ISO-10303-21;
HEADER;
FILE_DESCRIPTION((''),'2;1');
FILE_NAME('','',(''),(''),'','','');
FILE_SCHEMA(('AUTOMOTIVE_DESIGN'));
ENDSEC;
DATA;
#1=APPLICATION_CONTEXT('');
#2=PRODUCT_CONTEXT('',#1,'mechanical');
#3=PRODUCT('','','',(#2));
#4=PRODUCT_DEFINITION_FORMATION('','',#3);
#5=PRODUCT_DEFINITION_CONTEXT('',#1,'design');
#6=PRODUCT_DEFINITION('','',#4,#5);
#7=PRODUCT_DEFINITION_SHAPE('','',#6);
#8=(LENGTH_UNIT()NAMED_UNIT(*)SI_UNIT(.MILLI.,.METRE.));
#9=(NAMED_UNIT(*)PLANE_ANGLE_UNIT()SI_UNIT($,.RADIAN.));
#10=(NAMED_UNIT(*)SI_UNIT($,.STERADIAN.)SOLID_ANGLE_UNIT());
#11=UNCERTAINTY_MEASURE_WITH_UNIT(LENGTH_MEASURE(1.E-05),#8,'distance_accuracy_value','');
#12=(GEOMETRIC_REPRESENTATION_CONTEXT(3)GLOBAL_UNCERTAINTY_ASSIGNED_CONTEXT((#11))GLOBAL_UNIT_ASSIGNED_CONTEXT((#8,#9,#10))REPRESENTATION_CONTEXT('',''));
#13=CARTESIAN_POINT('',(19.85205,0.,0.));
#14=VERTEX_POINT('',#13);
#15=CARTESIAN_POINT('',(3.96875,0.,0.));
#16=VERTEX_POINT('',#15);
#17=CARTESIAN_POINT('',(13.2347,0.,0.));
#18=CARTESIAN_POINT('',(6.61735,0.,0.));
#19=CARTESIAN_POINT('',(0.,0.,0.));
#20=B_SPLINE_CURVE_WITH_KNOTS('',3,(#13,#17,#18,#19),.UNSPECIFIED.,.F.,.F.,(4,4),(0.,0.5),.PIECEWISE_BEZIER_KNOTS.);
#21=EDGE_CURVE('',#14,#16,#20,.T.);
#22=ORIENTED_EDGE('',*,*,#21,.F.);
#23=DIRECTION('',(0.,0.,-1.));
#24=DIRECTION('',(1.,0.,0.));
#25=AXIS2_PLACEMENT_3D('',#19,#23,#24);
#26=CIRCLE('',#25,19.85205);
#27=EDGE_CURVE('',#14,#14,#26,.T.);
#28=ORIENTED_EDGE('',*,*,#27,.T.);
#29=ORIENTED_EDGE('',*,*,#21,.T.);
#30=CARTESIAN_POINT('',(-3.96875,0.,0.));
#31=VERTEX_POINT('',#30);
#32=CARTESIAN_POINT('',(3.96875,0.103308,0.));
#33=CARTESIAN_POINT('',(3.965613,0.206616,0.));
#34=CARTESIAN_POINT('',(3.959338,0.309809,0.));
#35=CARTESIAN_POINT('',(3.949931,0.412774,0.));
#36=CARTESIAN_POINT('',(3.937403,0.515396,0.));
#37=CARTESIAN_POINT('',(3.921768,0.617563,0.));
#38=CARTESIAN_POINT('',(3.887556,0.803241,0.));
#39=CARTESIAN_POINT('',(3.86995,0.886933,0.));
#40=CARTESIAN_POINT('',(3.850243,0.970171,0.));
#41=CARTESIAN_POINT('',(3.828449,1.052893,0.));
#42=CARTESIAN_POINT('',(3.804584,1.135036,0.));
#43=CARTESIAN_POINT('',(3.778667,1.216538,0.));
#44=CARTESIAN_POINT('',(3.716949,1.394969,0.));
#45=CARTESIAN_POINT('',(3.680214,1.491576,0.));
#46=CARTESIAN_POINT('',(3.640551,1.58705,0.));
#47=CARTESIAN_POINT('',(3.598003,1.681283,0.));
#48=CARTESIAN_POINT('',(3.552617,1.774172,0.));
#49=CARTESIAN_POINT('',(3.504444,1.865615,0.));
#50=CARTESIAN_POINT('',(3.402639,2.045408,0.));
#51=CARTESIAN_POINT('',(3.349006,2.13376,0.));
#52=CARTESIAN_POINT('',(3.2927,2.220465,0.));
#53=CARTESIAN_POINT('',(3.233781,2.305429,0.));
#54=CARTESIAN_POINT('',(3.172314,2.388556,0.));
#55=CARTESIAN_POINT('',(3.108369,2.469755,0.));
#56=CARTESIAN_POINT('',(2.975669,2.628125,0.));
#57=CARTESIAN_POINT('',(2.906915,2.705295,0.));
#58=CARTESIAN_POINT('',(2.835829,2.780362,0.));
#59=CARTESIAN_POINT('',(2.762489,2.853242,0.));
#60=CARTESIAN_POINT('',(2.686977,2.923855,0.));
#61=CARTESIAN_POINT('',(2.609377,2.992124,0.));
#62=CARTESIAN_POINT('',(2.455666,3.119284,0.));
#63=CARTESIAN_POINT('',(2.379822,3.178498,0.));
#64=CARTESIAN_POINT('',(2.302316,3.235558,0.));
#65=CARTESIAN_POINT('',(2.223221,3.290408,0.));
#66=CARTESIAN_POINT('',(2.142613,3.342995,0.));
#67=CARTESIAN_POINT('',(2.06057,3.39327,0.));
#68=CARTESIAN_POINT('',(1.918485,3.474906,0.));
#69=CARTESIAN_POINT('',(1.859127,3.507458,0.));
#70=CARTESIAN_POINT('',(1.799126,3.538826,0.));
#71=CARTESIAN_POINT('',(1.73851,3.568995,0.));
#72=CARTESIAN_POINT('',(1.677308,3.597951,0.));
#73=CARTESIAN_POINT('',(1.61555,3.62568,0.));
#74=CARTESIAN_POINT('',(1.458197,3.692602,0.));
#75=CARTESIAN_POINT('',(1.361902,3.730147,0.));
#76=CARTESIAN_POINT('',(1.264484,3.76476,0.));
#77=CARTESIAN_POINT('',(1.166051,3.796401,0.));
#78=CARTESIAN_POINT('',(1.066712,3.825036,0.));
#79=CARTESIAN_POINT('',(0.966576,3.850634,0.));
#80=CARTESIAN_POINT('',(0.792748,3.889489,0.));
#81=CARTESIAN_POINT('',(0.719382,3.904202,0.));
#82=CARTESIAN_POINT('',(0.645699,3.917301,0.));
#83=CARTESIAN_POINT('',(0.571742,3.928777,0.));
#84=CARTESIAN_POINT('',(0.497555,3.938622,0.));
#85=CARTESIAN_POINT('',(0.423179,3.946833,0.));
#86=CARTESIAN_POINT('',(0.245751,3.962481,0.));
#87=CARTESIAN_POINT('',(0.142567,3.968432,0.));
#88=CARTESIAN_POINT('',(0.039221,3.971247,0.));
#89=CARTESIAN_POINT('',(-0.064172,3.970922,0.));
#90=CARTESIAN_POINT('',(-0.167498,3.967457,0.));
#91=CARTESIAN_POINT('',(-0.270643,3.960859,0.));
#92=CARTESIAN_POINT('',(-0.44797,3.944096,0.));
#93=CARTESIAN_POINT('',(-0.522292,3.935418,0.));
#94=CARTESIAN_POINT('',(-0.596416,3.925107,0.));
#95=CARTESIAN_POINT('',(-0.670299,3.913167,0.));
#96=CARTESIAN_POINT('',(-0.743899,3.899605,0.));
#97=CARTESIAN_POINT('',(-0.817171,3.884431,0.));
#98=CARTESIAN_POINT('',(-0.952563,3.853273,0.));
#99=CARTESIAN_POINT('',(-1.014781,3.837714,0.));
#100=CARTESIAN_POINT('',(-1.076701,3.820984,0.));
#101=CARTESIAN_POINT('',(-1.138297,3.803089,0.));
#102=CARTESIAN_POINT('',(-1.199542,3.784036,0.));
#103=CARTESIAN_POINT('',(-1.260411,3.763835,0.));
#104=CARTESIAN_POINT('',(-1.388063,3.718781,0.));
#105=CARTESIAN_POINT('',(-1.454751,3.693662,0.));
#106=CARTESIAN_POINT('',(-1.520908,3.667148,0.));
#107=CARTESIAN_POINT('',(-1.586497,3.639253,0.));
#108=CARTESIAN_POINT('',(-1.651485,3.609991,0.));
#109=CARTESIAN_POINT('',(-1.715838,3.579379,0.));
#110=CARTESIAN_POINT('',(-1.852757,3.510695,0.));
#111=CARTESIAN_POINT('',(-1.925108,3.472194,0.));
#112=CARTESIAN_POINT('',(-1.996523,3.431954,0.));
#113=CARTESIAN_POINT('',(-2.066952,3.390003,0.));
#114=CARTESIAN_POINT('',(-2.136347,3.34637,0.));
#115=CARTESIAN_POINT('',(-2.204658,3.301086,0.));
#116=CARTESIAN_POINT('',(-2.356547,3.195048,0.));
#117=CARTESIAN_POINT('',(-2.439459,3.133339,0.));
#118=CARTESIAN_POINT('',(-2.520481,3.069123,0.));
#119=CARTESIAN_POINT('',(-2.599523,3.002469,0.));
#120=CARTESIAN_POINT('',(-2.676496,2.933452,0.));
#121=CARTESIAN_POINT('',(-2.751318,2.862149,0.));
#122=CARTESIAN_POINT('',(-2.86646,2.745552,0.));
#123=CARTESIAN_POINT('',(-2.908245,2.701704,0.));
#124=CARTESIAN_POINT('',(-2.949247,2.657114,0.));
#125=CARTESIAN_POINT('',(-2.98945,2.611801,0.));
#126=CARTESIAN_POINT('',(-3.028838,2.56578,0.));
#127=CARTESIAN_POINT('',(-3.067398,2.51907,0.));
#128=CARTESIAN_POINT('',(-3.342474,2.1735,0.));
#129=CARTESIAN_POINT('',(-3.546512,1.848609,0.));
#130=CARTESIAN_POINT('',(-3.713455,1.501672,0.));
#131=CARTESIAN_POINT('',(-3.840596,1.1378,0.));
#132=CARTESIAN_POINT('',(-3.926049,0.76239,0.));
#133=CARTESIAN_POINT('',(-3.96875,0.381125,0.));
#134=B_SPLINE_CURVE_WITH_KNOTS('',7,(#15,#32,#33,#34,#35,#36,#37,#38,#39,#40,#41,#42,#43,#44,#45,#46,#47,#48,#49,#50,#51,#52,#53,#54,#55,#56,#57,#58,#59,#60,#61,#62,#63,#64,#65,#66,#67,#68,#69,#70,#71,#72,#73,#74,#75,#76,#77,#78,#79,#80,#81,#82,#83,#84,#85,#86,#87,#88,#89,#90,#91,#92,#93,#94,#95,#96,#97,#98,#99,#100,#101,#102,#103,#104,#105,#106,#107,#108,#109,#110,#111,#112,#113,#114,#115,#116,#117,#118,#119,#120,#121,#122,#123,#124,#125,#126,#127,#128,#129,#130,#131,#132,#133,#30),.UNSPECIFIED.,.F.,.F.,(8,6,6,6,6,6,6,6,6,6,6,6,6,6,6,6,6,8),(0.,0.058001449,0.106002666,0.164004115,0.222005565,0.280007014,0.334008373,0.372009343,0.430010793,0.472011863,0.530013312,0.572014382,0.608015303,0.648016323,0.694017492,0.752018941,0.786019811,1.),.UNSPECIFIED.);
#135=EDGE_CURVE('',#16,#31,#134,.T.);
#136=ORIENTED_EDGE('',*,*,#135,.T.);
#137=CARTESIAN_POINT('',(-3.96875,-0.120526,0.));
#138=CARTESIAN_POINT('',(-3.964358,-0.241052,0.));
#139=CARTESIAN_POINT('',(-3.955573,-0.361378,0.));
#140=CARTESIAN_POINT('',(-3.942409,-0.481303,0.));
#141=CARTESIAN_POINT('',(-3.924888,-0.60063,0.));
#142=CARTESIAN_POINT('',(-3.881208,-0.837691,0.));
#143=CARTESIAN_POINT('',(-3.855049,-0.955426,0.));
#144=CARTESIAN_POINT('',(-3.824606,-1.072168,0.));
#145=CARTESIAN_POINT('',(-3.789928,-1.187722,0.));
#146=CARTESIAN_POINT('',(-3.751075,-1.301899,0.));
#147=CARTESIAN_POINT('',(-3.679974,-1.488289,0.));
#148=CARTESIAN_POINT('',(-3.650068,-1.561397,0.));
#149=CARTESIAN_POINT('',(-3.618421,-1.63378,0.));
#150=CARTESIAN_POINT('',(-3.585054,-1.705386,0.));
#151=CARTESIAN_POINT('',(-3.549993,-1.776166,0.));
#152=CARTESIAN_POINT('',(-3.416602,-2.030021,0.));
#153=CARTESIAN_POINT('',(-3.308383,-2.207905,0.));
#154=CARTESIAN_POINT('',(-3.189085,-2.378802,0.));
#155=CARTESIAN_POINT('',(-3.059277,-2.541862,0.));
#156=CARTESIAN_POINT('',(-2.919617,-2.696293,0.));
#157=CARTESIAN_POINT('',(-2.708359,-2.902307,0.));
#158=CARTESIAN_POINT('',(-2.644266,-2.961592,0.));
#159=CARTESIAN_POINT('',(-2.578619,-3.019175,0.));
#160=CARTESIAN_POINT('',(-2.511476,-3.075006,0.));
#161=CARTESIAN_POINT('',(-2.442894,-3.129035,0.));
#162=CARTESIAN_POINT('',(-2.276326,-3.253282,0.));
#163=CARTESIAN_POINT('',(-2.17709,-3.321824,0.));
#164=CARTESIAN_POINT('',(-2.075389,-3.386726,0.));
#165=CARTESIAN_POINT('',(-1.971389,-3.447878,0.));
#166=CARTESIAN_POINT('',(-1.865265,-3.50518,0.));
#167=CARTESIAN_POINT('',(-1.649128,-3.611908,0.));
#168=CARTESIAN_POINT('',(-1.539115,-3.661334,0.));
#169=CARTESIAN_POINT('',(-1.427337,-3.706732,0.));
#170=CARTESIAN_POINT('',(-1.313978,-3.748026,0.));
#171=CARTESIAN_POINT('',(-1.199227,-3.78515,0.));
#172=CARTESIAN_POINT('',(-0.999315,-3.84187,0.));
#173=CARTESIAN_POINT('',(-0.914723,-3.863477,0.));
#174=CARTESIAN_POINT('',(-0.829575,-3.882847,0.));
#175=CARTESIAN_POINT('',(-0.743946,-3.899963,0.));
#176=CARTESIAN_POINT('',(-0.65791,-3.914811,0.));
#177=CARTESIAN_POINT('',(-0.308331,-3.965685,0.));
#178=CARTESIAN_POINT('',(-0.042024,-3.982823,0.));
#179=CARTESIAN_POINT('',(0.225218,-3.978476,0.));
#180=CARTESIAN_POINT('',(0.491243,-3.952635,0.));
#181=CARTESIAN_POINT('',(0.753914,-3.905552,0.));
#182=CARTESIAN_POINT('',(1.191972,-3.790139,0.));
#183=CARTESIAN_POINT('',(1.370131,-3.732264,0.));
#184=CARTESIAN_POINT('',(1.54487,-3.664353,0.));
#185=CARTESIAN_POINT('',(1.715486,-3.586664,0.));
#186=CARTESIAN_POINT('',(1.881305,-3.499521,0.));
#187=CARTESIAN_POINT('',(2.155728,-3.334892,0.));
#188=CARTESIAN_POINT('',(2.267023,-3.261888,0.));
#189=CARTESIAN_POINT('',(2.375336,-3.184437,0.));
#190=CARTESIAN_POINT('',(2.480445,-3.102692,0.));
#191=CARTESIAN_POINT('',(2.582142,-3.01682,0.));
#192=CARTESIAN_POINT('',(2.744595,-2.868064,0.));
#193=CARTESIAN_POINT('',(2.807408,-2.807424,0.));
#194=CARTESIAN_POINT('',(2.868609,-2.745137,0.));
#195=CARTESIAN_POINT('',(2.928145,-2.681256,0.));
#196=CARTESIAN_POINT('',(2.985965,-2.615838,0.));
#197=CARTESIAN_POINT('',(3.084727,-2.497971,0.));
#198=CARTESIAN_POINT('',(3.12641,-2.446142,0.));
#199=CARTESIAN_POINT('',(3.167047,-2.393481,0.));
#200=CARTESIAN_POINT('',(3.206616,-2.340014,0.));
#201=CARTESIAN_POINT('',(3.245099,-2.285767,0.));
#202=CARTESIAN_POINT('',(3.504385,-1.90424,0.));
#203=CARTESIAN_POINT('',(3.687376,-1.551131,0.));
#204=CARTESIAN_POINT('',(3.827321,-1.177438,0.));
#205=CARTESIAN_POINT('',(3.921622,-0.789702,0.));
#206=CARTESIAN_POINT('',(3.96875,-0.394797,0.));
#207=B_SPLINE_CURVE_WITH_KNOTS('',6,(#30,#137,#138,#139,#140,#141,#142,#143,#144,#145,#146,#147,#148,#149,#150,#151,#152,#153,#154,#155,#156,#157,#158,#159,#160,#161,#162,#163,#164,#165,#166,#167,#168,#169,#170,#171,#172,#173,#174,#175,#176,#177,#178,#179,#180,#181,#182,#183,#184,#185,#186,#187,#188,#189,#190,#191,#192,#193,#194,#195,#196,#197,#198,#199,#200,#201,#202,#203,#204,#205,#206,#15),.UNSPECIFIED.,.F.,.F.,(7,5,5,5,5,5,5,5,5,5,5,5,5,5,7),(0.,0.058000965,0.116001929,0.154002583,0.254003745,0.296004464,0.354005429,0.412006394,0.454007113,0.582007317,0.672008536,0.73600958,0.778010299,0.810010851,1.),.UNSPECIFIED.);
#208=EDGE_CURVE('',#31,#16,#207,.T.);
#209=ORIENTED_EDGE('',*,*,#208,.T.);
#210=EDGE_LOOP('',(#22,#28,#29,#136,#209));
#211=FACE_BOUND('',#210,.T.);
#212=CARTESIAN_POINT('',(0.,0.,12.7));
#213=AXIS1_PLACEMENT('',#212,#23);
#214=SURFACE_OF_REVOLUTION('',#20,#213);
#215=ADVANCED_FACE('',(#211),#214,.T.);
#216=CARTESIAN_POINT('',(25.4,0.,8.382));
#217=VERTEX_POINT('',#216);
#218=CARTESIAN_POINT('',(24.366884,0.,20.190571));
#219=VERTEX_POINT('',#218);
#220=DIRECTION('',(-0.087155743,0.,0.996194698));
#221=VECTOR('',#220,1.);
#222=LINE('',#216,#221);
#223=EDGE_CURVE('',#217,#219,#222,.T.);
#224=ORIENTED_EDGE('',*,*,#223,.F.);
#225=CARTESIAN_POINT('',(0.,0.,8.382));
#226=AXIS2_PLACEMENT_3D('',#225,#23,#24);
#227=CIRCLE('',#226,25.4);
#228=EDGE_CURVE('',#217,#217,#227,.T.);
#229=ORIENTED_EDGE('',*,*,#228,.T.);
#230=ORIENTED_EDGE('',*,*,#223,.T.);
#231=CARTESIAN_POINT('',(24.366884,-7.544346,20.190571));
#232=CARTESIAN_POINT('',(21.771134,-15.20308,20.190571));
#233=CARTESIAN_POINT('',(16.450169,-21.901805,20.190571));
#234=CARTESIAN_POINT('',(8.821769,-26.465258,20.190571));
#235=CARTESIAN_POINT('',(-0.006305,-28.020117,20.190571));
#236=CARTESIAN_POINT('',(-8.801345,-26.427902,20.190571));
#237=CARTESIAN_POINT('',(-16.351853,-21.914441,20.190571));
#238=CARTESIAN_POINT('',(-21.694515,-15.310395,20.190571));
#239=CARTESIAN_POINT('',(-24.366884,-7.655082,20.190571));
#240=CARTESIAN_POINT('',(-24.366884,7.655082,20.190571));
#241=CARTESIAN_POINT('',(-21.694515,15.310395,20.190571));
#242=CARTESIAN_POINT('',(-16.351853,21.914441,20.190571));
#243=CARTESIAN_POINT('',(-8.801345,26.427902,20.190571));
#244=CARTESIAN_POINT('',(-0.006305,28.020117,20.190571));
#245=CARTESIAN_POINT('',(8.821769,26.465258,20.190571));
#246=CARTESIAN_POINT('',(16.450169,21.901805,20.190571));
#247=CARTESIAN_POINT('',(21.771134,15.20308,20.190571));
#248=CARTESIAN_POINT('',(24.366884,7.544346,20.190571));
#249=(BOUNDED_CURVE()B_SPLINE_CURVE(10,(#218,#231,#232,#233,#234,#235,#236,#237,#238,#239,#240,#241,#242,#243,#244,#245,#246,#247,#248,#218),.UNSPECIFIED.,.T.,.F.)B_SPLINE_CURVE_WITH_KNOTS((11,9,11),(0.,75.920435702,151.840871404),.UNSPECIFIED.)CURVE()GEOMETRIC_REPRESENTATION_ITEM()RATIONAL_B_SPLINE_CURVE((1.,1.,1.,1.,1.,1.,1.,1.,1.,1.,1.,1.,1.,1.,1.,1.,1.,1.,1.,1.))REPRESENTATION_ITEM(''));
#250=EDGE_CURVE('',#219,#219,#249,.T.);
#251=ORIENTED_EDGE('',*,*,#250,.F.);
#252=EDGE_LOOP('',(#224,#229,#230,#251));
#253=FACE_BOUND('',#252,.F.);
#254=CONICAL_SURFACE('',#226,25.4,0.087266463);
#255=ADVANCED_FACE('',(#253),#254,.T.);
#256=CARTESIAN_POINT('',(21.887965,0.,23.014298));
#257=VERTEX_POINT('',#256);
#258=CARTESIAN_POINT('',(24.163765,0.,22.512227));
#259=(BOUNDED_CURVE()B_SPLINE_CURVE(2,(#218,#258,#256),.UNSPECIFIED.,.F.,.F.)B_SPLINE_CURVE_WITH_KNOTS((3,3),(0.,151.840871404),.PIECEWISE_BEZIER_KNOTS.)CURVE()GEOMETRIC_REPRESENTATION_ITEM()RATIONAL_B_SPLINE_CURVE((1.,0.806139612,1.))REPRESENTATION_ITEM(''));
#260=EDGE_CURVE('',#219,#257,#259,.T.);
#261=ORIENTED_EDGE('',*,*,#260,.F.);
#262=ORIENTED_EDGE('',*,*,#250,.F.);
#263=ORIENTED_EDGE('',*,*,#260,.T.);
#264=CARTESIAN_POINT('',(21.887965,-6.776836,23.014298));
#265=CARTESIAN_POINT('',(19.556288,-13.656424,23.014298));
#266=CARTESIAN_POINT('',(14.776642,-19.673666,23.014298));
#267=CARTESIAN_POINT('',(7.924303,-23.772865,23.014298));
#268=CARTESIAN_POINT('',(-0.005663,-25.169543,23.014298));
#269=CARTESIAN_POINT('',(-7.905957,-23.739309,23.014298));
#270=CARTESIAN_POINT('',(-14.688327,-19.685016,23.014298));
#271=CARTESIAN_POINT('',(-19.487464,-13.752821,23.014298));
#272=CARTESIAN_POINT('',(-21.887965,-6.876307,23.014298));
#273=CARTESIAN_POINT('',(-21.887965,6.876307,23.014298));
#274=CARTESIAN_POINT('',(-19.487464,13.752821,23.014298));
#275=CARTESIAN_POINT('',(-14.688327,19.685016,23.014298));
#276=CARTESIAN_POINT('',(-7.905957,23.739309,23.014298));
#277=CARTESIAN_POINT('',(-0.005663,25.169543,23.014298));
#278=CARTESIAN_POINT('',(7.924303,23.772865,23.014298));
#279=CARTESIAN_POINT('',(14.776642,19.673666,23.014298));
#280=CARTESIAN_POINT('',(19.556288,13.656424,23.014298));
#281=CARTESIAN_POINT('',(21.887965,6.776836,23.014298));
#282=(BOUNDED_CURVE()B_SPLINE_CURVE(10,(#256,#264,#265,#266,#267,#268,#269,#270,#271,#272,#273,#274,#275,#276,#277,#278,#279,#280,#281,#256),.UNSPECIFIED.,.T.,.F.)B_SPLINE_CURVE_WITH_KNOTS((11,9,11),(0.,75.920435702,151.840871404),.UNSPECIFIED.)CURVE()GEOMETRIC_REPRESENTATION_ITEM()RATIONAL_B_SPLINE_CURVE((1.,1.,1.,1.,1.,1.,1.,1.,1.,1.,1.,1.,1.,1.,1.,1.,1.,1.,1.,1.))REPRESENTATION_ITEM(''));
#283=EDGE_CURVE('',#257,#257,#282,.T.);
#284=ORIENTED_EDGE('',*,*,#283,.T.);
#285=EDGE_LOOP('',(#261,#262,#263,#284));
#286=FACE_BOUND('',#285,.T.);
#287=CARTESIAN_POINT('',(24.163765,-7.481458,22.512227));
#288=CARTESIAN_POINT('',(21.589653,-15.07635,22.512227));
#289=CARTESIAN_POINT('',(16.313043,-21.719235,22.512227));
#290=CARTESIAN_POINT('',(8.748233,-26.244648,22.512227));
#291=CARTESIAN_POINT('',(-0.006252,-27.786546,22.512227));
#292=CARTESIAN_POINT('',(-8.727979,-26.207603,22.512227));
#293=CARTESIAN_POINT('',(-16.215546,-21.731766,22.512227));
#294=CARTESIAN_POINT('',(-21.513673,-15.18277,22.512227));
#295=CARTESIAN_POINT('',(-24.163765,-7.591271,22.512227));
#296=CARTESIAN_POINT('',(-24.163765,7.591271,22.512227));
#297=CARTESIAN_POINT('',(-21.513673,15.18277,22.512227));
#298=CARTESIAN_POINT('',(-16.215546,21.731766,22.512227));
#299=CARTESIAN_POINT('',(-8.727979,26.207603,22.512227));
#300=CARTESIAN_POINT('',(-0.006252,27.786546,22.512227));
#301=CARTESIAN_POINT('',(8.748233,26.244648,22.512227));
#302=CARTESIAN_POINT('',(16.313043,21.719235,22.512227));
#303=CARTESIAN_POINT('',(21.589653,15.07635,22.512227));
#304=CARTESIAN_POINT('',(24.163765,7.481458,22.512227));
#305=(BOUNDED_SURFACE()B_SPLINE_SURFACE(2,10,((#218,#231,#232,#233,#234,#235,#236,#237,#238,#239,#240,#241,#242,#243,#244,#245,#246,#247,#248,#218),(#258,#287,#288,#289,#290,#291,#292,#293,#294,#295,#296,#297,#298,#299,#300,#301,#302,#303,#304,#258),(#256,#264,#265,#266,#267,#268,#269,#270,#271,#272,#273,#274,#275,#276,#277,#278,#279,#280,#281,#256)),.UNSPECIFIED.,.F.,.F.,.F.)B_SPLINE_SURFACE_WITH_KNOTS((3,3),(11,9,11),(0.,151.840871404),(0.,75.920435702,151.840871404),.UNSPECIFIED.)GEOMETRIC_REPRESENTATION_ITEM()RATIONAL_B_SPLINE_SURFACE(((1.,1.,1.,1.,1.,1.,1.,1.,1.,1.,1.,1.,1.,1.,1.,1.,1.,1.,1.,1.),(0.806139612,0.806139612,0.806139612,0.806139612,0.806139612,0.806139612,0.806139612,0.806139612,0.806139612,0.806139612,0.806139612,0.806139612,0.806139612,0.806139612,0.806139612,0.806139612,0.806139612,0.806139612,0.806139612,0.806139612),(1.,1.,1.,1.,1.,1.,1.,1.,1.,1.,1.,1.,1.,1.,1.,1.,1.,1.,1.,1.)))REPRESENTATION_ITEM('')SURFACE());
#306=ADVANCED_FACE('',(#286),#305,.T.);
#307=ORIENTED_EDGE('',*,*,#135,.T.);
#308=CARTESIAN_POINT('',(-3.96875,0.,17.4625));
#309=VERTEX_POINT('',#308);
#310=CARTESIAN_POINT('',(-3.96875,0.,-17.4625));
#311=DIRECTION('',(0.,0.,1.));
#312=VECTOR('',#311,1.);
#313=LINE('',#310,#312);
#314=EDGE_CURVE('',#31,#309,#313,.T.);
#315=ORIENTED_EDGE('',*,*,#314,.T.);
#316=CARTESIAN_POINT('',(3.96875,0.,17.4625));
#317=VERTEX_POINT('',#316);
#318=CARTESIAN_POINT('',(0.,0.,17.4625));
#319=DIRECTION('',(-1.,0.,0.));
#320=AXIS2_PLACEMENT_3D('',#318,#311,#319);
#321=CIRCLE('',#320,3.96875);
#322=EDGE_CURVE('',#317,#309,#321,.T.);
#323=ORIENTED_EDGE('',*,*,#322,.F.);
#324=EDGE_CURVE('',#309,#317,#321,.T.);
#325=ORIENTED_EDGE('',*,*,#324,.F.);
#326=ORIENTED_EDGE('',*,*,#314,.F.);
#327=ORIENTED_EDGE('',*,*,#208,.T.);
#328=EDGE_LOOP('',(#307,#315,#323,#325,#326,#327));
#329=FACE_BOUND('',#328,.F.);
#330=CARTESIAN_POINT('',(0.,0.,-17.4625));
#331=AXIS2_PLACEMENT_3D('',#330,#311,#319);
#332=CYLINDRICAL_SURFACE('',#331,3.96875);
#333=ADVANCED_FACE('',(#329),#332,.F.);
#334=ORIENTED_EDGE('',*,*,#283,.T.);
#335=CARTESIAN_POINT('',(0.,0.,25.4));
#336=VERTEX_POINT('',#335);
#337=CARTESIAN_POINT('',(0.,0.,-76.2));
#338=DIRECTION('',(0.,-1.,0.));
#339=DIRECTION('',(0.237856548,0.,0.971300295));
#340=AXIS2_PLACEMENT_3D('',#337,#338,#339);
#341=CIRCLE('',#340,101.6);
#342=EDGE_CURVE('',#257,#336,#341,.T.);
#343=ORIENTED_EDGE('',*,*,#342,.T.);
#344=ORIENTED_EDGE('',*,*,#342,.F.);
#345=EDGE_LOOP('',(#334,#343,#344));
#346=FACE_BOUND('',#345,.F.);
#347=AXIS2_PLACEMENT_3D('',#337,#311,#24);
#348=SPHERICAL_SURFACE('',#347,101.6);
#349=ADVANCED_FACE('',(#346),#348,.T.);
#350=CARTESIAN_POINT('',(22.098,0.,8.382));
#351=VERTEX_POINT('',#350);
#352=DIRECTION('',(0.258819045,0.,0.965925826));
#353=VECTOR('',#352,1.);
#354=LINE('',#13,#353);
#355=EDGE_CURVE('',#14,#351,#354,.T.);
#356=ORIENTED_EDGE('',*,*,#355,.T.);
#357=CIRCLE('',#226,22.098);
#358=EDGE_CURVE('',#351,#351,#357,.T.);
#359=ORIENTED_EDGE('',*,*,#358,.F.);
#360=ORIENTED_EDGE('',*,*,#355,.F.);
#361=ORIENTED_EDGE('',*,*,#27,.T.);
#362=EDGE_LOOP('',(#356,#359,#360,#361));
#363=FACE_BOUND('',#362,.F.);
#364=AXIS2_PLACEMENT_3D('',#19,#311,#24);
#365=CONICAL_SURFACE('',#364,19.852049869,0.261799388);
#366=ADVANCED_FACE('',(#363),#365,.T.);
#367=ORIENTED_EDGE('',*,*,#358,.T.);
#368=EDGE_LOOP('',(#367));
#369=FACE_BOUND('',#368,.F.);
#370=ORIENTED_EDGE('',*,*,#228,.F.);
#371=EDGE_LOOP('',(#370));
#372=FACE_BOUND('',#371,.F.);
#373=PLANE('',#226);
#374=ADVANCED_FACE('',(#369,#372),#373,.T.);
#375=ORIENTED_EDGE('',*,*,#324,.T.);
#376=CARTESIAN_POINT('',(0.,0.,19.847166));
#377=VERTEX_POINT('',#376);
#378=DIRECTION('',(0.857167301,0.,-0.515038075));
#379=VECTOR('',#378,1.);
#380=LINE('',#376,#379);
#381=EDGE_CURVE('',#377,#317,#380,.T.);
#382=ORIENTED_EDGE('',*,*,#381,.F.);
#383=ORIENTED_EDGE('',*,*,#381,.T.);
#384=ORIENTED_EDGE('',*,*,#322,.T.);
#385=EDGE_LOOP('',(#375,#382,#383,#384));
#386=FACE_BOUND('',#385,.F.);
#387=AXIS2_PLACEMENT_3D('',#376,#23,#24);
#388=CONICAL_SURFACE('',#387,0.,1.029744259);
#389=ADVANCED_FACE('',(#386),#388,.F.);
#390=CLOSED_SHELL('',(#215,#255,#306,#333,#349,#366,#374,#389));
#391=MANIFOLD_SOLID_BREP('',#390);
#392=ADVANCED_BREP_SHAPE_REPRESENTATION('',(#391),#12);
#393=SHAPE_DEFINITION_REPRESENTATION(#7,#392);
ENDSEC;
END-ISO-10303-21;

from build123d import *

# Parameters (mm, degrees)
F3_D     = 7.9375
F3_DEPTH = 17.4625
F3_TIP   = 2.3846655818
F4_R     = 3.175


with BuildPart() as f1:
    # F0 (on Front) → F1 (revolve)
    with BuildSketch(Plane.XZ):
        with BuildLine():
            add(Edge.make_bspline(
                [(19.852049869, 0), (13.2346999127, 0), (6.6173499563, 0), (0, 0)],
                knots=[0, 0, 0, 0, 0.5, 0.5, 0.5, 0.5], degree=3))
            Line((19.852049869, 0), (22.098, 8.382))
            Line((22.098, 8.382), (25.4, 8.382))
            Line((25.4, 8.382), (24.1662252473, 22.4841099534))
            ThreePointArc((24.1662252473, 22.4841099534), (12.1707524158, 24.6683933927), (0, 25.4))
            Line((0, 25.4), (0, 0))
        make_face()
    revolve(axis=Axis((0, 0, 12.7), (0, 0, -1)))

    # F3
    with Locations(Plane(origin=(0, 0, 0), x_dir=(1, 0, 0), z_dir=(0, 0, -1))):
        with Locations((0, 0)):
            Hole(F3_D / 2, depth=F3_DEPTH)
            with Locations((0, 0, -(F3_DEPTH + F3_TIP / 2))):  # 118° drill point
                Cone(0, F3_D / 2, F3_TIP, mode=Mode.SUBTRACT)

    # F4
    f4_edges = [f1.edges().sort_by_distance(p)[0] for p in [
        (-24.166225, 0, 22.48411),
    ]]
    fillet(f4_edges, radius=F4_R)


solid = f1.part
